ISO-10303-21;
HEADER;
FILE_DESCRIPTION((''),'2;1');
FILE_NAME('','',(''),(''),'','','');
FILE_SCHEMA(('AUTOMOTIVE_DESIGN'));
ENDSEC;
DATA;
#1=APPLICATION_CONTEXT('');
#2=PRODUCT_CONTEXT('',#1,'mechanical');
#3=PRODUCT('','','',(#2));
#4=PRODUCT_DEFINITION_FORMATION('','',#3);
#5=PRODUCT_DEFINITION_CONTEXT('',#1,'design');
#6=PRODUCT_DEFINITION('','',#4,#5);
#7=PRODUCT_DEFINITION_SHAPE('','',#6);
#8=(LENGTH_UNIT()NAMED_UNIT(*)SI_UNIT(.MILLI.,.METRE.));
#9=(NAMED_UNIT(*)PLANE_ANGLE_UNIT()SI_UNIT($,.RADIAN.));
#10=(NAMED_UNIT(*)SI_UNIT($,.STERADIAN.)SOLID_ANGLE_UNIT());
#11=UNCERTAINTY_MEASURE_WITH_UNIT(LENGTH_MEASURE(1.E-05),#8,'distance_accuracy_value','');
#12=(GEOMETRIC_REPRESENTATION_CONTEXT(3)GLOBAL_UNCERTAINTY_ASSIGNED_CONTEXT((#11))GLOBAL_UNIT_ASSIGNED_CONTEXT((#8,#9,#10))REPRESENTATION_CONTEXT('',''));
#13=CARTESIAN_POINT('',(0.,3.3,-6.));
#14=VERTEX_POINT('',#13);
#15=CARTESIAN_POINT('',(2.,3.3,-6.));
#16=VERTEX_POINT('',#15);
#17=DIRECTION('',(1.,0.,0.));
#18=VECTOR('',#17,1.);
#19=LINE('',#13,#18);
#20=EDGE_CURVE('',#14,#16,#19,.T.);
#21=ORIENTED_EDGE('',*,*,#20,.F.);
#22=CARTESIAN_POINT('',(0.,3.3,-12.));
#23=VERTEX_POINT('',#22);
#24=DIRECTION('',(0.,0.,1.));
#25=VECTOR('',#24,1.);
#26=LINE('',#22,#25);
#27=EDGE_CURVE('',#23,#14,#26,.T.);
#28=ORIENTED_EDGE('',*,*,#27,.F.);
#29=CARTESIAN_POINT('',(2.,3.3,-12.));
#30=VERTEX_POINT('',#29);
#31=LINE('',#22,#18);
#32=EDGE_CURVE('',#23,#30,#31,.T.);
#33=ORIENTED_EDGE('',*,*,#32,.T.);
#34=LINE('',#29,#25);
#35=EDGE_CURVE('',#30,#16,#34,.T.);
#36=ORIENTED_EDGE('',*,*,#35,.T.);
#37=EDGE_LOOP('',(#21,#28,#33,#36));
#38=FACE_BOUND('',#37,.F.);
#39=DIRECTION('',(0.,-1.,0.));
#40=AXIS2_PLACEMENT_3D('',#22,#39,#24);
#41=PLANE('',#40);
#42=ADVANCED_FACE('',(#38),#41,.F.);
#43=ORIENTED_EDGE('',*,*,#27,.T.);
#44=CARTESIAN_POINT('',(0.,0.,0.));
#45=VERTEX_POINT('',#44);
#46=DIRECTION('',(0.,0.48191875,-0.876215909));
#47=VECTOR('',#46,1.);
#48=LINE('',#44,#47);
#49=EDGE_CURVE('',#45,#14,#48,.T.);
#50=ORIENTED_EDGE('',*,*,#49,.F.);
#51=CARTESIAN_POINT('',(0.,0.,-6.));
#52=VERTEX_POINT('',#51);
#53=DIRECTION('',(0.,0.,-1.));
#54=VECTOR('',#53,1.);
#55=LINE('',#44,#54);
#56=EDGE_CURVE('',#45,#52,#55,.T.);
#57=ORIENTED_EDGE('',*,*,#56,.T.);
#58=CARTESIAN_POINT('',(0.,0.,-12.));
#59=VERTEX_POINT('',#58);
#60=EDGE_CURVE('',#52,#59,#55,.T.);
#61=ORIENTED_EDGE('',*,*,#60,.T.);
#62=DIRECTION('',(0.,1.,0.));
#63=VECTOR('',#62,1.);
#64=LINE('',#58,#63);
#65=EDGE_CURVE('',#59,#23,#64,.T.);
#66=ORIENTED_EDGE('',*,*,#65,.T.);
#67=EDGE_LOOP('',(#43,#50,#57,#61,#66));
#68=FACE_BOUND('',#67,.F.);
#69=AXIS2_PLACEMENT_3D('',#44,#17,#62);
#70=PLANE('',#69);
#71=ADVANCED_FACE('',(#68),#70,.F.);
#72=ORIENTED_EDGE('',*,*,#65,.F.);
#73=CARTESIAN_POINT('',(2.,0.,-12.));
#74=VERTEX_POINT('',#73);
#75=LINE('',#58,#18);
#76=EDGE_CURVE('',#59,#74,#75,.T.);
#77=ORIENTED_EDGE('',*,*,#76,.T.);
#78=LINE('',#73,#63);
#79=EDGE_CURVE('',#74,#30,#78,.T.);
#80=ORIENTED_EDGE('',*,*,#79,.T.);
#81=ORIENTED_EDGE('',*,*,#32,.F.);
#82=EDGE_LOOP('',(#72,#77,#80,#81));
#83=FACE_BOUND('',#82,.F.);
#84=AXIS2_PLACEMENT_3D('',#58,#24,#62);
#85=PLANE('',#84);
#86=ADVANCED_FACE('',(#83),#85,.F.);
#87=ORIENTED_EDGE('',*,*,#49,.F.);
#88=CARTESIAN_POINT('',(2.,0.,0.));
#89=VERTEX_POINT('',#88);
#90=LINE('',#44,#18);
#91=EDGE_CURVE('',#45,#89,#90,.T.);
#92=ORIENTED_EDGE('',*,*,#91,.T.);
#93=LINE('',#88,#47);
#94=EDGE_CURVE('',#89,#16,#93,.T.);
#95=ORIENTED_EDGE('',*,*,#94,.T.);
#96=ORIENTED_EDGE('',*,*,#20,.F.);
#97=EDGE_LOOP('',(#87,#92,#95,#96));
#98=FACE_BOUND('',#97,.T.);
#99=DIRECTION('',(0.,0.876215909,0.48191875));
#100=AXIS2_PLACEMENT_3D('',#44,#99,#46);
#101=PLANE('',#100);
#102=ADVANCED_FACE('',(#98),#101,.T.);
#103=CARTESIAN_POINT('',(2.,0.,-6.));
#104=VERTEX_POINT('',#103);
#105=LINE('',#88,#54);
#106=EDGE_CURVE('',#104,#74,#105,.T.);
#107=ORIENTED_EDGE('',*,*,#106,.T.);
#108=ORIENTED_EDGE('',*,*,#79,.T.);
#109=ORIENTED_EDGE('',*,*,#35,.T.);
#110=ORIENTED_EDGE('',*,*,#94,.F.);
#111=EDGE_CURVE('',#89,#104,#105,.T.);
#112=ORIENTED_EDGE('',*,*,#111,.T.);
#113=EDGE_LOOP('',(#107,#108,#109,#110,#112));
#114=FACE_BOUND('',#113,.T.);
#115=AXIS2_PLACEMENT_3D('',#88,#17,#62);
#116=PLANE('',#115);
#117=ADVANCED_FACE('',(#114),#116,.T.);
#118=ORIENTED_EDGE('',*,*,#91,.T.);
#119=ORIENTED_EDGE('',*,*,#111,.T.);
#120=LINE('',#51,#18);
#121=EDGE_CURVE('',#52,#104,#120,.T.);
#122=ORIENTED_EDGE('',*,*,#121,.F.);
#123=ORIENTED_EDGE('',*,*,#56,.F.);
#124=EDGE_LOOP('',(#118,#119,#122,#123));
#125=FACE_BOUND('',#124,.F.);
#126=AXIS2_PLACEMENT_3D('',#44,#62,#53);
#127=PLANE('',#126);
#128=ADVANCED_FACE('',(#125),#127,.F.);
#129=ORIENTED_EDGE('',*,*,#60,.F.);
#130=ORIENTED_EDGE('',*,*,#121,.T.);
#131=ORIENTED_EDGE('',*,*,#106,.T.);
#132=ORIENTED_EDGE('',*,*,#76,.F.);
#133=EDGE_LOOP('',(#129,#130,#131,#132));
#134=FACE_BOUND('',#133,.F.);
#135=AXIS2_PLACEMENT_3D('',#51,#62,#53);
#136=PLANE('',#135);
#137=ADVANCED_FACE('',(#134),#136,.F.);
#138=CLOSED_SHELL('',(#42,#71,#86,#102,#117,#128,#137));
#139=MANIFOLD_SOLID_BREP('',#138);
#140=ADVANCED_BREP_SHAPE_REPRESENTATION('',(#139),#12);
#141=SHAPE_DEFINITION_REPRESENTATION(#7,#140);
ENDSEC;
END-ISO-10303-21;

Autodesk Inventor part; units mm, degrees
ref_plane "YZ Plane" through (0, 0, 0) normal (1, 0, 0) x (0, 1, 0)
ref_plane "XZ Plane" through (0, 0, 0) normal (0, 1, 0) x (-1, 0, 0)
ref_plane "XY Plane" through (0, 0, 0) normal (0, 0, 1) x (1, 0, 0)
sketch "Sketch1" plane through (0, 0, 0) normal (1, 0, 0) x (0, 1, 0)
  line L0 (0, 0) -> (0, -12)
  line L1 (0, -12) -> (3.3, -12)
  line L2 (7.9618, -7.9618) -> (7.9618, -7.9618)
  line L3 (3.3, -12) -> (3.3, -6)
  line L4 (0, -6) -> (0, 0)
  line L5 (0, 0) -> (3.3, -6)
  dimension "d0" = 12
  dimension "d1" = 3.3
  dimension "d3" = 6
extrude "Extrusion1" add sketch "Sketch1" along normal blind 2
